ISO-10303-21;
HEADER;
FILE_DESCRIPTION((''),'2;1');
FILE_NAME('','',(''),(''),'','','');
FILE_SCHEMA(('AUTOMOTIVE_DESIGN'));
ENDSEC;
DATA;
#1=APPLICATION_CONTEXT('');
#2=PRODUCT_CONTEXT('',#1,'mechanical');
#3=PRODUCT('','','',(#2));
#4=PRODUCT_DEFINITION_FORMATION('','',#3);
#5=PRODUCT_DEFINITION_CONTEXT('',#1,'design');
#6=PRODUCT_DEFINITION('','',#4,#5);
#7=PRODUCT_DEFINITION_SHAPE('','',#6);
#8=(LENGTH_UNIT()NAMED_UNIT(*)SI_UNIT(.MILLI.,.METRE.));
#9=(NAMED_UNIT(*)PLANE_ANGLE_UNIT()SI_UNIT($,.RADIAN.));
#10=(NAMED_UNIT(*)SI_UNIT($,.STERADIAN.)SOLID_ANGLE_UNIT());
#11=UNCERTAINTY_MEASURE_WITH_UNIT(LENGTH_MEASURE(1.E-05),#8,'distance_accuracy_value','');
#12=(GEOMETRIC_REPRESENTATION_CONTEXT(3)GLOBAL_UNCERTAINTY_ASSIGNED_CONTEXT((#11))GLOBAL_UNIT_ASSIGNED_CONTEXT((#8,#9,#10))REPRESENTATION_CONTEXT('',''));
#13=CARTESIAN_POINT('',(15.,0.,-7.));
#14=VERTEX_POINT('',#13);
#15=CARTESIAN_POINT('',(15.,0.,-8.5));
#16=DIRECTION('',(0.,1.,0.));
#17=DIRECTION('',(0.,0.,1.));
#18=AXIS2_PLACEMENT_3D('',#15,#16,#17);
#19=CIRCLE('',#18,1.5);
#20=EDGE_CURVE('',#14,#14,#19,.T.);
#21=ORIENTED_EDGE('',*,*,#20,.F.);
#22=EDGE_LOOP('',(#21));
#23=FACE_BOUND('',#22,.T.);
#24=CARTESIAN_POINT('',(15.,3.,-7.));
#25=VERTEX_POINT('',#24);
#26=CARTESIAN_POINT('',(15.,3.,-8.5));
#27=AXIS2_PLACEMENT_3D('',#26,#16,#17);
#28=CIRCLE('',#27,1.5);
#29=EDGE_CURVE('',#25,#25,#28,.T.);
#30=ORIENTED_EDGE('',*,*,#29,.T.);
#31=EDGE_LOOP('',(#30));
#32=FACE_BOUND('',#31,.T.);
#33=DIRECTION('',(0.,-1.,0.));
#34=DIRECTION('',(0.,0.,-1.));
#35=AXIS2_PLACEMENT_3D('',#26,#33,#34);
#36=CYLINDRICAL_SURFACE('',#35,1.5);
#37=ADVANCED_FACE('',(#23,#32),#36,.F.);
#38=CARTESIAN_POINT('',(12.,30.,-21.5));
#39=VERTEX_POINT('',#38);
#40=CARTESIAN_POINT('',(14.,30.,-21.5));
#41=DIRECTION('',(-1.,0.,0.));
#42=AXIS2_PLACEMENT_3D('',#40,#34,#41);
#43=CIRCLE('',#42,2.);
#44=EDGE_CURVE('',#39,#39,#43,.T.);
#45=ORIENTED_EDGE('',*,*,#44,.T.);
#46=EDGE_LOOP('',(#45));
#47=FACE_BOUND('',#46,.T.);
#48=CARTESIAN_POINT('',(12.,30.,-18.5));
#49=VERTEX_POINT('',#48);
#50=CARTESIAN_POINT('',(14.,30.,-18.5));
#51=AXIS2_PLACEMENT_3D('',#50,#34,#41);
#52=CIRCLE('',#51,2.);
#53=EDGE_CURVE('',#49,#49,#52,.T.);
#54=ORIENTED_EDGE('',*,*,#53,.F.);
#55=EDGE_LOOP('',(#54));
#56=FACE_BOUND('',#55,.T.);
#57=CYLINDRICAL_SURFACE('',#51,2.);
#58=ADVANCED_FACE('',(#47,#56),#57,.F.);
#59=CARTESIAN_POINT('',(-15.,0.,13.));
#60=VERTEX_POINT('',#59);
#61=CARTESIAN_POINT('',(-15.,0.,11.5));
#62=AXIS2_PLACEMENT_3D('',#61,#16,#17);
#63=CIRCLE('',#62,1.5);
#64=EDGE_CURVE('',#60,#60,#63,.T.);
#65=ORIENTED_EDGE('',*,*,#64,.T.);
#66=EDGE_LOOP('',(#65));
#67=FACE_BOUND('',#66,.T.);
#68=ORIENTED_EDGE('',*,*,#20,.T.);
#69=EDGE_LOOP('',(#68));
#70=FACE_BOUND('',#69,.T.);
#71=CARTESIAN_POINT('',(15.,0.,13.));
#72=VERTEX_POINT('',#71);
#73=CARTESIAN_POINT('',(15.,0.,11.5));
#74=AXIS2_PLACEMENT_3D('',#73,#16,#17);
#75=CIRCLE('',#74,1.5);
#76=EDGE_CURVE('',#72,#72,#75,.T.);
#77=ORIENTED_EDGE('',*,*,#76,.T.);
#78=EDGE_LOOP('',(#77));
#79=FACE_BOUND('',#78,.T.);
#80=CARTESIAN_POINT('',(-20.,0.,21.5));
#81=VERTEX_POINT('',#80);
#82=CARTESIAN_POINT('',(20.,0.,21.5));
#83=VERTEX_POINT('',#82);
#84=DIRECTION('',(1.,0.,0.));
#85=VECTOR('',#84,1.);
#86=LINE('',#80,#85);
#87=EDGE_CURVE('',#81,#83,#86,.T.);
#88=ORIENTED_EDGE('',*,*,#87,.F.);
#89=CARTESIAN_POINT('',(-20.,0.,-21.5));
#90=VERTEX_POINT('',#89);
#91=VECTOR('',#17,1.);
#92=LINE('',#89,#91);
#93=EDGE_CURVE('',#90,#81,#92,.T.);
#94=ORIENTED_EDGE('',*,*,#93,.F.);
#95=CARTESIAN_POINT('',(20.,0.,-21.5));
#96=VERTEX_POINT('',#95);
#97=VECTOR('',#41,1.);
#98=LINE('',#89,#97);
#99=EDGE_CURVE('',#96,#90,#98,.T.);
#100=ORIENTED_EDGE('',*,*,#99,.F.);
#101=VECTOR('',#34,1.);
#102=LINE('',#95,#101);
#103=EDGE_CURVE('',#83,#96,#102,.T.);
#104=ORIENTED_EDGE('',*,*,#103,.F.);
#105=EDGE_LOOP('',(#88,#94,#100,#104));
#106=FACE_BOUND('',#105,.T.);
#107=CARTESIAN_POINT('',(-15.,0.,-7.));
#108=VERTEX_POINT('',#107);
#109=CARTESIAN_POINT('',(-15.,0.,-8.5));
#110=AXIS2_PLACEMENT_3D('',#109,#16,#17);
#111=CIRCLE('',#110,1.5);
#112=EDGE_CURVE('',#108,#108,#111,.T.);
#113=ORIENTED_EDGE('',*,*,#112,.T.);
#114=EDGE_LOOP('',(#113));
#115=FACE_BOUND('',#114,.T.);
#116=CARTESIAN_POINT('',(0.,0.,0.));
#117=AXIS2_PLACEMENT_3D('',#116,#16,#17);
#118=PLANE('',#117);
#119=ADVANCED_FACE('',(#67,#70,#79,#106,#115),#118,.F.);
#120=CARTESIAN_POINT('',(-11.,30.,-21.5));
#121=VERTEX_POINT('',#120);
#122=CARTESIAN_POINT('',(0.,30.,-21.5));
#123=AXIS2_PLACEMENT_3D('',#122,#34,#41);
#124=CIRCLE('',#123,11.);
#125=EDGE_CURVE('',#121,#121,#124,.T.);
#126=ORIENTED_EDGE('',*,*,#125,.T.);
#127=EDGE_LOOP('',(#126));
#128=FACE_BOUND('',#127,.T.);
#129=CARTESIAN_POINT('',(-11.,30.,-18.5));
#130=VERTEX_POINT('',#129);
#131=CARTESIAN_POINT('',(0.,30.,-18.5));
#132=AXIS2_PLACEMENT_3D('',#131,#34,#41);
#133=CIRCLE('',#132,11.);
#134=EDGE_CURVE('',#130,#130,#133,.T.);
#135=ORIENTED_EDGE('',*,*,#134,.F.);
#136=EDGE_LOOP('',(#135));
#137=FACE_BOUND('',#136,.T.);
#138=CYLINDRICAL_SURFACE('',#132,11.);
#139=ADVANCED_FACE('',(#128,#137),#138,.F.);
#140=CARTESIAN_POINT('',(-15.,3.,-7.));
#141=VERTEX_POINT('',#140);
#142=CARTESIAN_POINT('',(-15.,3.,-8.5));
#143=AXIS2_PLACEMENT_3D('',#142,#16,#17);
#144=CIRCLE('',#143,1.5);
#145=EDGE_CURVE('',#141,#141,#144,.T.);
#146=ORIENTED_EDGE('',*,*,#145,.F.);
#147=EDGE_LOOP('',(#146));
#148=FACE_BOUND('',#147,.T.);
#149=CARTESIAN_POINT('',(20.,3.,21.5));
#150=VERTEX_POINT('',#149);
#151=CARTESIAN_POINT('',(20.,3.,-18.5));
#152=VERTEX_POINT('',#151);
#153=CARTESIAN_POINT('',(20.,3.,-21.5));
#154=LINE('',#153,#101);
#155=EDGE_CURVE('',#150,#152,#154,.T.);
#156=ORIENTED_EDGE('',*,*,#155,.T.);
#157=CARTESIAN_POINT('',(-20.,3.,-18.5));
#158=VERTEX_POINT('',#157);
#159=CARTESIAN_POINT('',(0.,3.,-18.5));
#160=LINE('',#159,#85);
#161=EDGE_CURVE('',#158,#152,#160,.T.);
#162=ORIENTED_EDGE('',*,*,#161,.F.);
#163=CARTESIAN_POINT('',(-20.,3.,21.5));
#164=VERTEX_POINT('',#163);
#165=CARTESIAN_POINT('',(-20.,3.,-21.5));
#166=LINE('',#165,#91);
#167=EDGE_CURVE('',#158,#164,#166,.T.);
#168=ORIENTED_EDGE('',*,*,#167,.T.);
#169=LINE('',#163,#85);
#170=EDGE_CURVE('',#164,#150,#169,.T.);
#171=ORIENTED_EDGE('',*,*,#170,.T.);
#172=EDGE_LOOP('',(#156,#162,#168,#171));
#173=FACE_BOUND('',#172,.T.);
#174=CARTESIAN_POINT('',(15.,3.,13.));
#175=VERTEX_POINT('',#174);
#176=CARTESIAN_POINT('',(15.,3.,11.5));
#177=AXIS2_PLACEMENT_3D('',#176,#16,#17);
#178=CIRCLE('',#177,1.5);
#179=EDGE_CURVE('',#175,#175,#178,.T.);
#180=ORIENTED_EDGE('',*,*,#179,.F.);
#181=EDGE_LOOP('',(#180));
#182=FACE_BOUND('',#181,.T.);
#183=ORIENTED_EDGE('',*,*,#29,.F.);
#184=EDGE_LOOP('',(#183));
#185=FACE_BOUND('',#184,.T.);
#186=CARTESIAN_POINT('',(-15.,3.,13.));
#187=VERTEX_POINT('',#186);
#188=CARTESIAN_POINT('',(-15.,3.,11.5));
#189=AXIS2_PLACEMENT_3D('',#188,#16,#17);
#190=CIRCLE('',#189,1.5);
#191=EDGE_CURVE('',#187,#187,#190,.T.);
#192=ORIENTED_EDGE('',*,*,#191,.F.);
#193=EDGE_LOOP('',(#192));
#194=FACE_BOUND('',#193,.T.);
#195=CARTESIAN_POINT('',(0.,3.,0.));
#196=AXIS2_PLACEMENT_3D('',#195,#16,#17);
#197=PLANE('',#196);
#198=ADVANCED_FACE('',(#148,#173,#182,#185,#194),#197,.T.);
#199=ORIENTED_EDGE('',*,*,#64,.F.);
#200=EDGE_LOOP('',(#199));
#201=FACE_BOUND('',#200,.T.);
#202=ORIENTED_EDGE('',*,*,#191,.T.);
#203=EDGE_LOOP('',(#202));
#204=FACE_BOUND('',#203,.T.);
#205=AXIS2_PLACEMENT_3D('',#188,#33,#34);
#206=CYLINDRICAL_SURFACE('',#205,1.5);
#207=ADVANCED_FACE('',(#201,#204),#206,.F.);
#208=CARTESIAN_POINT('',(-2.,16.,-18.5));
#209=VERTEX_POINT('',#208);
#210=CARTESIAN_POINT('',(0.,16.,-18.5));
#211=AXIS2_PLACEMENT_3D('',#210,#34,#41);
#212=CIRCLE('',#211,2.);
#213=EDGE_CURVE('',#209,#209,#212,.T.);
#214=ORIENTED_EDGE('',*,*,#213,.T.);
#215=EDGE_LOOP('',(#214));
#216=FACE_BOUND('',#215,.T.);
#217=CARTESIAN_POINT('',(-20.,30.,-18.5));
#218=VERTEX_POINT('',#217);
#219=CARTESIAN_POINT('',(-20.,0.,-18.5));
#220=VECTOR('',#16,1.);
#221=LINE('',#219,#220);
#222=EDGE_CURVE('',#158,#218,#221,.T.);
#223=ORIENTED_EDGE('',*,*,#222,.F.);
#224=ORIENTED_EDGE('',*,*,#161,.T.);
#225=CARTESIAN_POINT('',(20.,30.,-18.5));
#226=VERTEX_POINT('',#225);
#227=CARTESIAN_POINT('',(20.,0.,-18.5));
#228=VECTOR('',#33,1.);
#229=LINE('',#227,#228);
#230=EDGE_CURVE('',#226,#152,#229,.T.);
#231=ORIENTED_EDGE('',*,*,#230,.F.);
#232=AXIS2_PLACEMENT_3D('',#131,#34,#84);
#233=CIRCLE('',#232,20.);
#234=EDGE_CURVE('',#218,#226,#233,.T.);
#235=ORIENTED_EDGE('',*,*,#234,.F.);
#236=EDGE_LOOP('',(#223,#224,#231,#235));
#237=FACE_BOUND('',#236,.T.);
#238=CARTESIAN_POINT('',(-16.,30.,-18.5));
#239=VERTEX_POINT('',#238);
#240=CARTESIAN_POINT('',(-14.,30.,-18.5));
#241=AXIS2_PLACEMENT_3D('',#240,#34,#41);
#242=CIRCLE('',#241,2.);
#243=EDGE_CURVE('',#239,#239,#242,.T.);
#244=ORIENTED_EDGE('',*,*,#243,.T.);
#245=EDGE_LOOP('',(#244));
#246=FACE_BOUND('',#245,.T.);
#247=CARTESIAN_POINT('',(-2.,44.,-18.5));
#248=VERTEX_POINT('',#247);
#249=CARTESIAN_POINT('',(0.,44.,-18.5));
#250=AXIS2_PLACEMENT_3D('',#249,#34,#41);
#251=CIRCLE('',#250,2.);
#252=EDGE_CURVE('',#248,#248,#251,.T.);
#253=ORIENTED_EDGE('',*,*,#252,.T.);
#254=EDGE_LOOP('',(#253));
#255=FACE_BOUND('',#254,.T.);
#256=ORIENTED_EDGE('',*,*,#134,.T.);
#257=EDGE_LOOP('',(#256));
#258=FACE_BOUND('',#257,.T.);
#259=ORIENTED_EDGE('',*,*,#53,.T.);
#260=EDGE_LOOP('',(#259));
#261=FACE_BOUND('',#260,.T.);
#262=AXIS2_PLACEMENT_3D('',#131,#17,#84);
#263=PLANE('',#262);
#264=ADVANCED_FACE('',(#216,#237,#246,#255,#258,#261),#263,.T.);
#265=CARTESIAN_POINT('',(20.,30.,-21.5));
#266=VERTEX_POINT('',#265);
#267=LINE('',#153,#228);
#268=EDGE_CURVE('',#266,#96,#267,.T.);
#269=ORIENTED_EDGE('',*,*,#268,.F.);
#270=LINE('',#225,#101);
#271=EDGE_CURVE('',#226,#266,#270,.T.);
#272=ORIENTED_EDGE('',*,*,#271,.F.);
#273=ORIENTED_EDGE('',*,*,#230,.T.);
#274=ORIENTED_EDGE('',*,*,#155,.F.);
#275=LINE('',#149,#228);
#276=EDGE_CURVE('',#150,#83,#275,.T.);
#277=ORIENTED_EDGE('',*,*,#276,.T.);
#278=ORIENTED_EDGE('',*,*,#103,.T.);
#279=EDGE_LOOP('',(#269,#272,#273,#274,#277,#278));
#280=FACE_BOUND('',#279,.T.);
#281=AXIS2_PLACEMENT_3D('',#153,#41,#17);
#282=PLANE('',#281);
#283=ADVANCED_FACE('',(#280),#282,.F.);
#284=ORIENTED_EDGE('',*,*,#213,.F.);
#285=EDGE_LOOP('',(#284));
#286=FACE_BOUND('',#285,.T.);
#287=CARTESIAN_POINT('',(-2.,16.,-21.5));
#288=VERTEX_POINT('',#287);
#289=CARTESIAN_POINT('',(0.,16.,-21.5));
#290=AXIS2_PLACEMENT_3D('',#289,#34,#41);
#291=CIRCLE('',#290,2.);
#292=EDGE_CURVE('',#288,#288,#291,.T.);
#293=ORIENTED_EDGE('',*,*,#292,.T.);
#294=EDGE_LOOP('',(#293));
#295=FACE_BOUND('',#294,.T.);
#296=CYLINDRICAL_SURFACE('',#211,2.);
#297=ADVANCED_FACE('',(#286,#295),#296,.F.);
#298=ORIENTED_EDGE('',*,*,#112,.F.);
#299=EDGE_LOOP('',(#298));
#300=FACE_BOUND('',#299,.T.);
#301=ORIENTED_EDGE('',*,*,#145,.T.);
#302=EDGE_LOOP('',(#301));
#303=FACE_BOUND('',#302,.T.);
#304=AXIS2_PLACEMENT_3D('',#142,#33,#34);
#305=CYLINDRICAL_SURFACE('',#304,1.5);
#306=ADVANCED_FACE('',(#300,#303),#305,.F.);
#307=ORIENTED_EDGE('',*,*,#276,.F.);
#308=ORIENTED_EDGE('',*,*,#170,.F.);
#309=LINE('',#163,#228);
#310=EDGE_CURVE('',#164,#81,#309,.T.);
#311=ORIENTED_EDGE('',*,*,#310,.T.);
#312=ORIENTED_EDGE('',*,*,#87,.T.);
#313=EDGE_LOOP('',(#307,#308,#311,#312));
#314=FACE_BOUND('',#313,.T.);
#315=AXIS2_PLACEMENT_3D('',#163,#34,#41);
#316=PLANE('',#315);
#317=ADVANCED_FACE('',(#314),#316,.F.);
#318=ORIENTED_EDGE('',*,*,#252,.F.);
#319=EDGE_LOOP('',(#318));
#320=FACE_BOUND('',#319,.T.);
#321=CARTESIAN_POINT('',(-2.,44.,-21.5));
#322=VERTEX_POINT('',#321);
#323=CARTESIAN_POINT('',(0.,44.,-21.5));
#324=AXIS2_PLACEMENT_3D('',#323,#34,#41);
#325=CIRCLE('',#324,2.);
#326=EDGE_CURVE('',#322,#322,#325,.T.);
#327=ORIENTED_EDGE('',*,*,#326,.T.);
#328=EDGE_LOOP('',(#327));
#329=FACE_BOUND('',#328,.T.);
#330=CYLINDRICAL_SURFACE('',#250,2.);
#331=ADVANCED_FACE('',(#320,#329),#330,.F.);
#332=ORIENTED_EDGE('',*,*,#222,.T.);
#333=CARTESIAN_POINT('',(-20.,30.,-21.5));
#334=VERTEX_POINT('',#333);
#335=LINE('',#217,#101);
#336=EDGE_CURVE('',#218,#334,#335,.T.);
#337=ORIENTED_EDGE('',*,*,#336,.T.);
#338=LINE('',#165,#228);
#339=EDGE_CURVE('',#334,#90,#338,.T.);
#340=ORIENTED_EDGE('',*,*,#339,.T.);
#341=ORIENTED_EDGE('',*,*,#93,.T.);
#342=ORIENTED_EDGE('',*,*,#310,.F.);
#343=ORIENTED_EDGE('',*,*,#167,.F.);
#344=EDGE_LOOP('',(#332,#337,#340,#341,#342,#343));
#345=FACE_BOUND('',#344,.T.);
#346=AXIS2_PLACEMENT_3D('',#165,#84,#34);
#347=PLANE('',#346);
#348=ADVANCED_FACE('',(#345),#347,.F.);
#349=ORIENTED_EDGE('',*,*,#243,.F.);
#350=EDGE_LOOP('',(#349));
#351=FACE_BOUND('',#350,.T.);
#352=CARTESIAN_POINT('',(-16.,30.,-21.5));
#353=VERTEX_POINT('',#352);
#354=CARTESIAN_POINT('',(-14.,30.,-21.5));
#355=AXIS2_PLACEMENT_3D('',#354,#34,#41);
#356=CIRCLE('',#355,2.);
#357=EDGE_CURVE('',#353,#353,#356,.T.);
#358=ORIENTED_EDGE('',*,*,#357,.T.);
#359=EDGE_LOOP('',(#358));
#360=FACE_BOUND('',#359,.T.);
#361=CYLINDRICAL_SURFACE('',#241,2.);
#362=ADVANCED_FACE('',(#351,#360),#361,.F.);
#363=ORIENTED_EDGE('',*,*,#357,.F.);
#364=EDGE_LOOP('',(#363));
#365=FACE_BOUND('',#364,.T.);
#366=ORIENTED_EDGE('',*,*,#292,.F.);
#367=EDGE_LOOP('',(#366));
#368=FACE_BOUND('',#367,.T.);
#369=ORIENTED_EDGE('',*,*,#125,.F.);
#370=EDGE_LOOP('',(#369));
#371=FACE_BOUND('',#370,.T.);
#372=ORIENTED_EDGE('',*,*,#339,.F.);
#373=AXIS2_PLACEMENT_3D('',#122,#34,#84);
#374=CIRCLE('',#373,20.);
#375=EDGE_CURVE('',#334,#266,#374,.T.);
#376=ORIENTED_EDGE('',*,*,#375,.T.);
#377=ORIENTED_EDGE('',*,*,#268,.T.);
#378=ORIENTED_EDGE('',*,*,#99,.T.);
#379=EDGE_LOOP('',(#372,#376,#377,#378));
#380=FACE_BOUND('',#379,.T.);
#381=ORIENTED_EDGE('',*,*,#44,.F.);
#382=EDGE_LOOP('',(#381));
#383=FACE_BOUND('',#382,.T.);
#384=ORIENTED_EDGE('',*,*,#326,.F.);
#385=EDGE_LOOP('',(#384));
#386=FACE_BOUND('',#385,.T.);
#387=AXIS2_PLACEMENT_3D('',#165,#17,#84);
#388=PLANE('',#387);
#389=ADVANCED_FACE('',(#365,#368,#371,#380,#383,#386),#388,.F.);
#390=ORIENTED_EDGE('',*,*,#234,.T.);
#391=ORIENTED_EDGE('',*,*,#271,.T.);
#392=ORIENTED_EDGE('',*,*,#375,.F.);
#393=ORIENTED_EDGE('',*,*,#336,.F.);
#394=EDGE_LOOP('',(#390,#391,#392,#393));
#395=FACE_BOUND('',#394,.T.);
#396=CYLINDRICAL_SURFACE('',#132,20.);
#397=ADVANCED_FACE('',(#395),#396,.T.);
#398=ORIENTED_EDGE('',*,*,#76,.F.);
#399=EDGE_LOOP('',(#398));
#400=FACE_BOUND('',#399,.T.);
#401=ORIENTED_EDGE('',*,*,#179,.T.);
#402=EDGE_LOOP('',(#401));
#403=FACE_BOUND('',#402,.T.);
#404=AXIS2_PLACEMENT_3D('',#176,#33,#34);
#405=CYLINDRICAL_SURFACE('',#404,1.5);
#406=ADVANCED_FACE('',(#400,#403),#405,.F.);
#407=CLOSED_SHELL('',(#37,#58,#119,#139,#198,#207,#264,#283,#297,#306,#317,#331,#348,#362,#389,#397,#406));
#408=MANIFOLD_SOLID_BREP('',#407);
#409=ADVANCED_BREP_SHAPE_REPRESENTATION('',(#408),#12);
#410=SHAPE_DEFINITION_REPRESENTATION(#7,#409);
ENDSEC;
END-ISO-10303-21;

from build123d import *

# Parameters (mm, degrees)
SKETCH_1_W      = 40
SKETCH_1_H      = 43
SKETCH_1_R      = 1.5
EXTRUDE_1_DEPTH = 3
SKETCH_3_R      = 11
SKETCH_3_R_2    = 2
EXTRUDE_2_DEPTH = 3


with BuildPart() as part:
    # 草图1 → 凸台-拉伸1 (new body)
    with BuildSketch(Plane(origin=(0, 0, 0), x_dir=(1, 0, 0), z_dir=(0, 1, 0))):
        Rectangle(SKETCH_1_W, SKETCH_1_H)
        with Locations(Location((-15, -11.5, 0), (0, 0, 270))):
            Circle(SKETCH_1_R, mode=Mode.SUBTRACT)
        with Locations(Location((15, -11.5, 0), (0, 0, 270))):
            Circle(SKETCH_1_R, mode=Mode.SUBTRACT)
        with Locations(Location((15, 8.5, 0), (0, 0, 270))):
            Circle(SKETCH_1_R, mode=Mode.SUBTRACT)
        with Locations(Location((-15, 8.5, 0), (0, 0, 270))):
            Circle(SKETCH_1_R, mode=Mode.SUBTRACT)
    extrude(amount=EXTRUDE_1_DEPTH)

    # 草图3 → 凸台-拉伸2 (add)
    with BuildSketch(Plane(origin=(0, 0, -21.5), x_dir=(-1, 0, 0), z_dir=(0, 0, -1))):
        with BuildLine():
            Line((-20, 0), (-20, 30))
            ThreePointArc((-20, 30), (0, 50), (20, 30))
            Line((20, 30), (20, 0))
            Line((20, 0), (-20, 0))
        make_face()
        with Locations((0, 30)):
            Circle(SKETCH_3_R, mode=Mode.SUBTRACT)
        with Locations((0, 44)):
            Circle(SKETCH_3_R_2, mode=Mode.SUBTRACT)
        with Locations((14, 30)):
            Circle(SKETCH_3_R_2, mode=Mode.SUBTRACT)
        with Locations((0, 16)):
            Circle(SKETCH_3_R_2, mode=Mode.SUBTRACT)
        with Locations((-14, 30)):
            Circle(SKETCH_3_R_2, mode=Mode.SUBTRACT)
    extrude(amount=-EXTRUDE_2_DEPTH)


solid = part.part
